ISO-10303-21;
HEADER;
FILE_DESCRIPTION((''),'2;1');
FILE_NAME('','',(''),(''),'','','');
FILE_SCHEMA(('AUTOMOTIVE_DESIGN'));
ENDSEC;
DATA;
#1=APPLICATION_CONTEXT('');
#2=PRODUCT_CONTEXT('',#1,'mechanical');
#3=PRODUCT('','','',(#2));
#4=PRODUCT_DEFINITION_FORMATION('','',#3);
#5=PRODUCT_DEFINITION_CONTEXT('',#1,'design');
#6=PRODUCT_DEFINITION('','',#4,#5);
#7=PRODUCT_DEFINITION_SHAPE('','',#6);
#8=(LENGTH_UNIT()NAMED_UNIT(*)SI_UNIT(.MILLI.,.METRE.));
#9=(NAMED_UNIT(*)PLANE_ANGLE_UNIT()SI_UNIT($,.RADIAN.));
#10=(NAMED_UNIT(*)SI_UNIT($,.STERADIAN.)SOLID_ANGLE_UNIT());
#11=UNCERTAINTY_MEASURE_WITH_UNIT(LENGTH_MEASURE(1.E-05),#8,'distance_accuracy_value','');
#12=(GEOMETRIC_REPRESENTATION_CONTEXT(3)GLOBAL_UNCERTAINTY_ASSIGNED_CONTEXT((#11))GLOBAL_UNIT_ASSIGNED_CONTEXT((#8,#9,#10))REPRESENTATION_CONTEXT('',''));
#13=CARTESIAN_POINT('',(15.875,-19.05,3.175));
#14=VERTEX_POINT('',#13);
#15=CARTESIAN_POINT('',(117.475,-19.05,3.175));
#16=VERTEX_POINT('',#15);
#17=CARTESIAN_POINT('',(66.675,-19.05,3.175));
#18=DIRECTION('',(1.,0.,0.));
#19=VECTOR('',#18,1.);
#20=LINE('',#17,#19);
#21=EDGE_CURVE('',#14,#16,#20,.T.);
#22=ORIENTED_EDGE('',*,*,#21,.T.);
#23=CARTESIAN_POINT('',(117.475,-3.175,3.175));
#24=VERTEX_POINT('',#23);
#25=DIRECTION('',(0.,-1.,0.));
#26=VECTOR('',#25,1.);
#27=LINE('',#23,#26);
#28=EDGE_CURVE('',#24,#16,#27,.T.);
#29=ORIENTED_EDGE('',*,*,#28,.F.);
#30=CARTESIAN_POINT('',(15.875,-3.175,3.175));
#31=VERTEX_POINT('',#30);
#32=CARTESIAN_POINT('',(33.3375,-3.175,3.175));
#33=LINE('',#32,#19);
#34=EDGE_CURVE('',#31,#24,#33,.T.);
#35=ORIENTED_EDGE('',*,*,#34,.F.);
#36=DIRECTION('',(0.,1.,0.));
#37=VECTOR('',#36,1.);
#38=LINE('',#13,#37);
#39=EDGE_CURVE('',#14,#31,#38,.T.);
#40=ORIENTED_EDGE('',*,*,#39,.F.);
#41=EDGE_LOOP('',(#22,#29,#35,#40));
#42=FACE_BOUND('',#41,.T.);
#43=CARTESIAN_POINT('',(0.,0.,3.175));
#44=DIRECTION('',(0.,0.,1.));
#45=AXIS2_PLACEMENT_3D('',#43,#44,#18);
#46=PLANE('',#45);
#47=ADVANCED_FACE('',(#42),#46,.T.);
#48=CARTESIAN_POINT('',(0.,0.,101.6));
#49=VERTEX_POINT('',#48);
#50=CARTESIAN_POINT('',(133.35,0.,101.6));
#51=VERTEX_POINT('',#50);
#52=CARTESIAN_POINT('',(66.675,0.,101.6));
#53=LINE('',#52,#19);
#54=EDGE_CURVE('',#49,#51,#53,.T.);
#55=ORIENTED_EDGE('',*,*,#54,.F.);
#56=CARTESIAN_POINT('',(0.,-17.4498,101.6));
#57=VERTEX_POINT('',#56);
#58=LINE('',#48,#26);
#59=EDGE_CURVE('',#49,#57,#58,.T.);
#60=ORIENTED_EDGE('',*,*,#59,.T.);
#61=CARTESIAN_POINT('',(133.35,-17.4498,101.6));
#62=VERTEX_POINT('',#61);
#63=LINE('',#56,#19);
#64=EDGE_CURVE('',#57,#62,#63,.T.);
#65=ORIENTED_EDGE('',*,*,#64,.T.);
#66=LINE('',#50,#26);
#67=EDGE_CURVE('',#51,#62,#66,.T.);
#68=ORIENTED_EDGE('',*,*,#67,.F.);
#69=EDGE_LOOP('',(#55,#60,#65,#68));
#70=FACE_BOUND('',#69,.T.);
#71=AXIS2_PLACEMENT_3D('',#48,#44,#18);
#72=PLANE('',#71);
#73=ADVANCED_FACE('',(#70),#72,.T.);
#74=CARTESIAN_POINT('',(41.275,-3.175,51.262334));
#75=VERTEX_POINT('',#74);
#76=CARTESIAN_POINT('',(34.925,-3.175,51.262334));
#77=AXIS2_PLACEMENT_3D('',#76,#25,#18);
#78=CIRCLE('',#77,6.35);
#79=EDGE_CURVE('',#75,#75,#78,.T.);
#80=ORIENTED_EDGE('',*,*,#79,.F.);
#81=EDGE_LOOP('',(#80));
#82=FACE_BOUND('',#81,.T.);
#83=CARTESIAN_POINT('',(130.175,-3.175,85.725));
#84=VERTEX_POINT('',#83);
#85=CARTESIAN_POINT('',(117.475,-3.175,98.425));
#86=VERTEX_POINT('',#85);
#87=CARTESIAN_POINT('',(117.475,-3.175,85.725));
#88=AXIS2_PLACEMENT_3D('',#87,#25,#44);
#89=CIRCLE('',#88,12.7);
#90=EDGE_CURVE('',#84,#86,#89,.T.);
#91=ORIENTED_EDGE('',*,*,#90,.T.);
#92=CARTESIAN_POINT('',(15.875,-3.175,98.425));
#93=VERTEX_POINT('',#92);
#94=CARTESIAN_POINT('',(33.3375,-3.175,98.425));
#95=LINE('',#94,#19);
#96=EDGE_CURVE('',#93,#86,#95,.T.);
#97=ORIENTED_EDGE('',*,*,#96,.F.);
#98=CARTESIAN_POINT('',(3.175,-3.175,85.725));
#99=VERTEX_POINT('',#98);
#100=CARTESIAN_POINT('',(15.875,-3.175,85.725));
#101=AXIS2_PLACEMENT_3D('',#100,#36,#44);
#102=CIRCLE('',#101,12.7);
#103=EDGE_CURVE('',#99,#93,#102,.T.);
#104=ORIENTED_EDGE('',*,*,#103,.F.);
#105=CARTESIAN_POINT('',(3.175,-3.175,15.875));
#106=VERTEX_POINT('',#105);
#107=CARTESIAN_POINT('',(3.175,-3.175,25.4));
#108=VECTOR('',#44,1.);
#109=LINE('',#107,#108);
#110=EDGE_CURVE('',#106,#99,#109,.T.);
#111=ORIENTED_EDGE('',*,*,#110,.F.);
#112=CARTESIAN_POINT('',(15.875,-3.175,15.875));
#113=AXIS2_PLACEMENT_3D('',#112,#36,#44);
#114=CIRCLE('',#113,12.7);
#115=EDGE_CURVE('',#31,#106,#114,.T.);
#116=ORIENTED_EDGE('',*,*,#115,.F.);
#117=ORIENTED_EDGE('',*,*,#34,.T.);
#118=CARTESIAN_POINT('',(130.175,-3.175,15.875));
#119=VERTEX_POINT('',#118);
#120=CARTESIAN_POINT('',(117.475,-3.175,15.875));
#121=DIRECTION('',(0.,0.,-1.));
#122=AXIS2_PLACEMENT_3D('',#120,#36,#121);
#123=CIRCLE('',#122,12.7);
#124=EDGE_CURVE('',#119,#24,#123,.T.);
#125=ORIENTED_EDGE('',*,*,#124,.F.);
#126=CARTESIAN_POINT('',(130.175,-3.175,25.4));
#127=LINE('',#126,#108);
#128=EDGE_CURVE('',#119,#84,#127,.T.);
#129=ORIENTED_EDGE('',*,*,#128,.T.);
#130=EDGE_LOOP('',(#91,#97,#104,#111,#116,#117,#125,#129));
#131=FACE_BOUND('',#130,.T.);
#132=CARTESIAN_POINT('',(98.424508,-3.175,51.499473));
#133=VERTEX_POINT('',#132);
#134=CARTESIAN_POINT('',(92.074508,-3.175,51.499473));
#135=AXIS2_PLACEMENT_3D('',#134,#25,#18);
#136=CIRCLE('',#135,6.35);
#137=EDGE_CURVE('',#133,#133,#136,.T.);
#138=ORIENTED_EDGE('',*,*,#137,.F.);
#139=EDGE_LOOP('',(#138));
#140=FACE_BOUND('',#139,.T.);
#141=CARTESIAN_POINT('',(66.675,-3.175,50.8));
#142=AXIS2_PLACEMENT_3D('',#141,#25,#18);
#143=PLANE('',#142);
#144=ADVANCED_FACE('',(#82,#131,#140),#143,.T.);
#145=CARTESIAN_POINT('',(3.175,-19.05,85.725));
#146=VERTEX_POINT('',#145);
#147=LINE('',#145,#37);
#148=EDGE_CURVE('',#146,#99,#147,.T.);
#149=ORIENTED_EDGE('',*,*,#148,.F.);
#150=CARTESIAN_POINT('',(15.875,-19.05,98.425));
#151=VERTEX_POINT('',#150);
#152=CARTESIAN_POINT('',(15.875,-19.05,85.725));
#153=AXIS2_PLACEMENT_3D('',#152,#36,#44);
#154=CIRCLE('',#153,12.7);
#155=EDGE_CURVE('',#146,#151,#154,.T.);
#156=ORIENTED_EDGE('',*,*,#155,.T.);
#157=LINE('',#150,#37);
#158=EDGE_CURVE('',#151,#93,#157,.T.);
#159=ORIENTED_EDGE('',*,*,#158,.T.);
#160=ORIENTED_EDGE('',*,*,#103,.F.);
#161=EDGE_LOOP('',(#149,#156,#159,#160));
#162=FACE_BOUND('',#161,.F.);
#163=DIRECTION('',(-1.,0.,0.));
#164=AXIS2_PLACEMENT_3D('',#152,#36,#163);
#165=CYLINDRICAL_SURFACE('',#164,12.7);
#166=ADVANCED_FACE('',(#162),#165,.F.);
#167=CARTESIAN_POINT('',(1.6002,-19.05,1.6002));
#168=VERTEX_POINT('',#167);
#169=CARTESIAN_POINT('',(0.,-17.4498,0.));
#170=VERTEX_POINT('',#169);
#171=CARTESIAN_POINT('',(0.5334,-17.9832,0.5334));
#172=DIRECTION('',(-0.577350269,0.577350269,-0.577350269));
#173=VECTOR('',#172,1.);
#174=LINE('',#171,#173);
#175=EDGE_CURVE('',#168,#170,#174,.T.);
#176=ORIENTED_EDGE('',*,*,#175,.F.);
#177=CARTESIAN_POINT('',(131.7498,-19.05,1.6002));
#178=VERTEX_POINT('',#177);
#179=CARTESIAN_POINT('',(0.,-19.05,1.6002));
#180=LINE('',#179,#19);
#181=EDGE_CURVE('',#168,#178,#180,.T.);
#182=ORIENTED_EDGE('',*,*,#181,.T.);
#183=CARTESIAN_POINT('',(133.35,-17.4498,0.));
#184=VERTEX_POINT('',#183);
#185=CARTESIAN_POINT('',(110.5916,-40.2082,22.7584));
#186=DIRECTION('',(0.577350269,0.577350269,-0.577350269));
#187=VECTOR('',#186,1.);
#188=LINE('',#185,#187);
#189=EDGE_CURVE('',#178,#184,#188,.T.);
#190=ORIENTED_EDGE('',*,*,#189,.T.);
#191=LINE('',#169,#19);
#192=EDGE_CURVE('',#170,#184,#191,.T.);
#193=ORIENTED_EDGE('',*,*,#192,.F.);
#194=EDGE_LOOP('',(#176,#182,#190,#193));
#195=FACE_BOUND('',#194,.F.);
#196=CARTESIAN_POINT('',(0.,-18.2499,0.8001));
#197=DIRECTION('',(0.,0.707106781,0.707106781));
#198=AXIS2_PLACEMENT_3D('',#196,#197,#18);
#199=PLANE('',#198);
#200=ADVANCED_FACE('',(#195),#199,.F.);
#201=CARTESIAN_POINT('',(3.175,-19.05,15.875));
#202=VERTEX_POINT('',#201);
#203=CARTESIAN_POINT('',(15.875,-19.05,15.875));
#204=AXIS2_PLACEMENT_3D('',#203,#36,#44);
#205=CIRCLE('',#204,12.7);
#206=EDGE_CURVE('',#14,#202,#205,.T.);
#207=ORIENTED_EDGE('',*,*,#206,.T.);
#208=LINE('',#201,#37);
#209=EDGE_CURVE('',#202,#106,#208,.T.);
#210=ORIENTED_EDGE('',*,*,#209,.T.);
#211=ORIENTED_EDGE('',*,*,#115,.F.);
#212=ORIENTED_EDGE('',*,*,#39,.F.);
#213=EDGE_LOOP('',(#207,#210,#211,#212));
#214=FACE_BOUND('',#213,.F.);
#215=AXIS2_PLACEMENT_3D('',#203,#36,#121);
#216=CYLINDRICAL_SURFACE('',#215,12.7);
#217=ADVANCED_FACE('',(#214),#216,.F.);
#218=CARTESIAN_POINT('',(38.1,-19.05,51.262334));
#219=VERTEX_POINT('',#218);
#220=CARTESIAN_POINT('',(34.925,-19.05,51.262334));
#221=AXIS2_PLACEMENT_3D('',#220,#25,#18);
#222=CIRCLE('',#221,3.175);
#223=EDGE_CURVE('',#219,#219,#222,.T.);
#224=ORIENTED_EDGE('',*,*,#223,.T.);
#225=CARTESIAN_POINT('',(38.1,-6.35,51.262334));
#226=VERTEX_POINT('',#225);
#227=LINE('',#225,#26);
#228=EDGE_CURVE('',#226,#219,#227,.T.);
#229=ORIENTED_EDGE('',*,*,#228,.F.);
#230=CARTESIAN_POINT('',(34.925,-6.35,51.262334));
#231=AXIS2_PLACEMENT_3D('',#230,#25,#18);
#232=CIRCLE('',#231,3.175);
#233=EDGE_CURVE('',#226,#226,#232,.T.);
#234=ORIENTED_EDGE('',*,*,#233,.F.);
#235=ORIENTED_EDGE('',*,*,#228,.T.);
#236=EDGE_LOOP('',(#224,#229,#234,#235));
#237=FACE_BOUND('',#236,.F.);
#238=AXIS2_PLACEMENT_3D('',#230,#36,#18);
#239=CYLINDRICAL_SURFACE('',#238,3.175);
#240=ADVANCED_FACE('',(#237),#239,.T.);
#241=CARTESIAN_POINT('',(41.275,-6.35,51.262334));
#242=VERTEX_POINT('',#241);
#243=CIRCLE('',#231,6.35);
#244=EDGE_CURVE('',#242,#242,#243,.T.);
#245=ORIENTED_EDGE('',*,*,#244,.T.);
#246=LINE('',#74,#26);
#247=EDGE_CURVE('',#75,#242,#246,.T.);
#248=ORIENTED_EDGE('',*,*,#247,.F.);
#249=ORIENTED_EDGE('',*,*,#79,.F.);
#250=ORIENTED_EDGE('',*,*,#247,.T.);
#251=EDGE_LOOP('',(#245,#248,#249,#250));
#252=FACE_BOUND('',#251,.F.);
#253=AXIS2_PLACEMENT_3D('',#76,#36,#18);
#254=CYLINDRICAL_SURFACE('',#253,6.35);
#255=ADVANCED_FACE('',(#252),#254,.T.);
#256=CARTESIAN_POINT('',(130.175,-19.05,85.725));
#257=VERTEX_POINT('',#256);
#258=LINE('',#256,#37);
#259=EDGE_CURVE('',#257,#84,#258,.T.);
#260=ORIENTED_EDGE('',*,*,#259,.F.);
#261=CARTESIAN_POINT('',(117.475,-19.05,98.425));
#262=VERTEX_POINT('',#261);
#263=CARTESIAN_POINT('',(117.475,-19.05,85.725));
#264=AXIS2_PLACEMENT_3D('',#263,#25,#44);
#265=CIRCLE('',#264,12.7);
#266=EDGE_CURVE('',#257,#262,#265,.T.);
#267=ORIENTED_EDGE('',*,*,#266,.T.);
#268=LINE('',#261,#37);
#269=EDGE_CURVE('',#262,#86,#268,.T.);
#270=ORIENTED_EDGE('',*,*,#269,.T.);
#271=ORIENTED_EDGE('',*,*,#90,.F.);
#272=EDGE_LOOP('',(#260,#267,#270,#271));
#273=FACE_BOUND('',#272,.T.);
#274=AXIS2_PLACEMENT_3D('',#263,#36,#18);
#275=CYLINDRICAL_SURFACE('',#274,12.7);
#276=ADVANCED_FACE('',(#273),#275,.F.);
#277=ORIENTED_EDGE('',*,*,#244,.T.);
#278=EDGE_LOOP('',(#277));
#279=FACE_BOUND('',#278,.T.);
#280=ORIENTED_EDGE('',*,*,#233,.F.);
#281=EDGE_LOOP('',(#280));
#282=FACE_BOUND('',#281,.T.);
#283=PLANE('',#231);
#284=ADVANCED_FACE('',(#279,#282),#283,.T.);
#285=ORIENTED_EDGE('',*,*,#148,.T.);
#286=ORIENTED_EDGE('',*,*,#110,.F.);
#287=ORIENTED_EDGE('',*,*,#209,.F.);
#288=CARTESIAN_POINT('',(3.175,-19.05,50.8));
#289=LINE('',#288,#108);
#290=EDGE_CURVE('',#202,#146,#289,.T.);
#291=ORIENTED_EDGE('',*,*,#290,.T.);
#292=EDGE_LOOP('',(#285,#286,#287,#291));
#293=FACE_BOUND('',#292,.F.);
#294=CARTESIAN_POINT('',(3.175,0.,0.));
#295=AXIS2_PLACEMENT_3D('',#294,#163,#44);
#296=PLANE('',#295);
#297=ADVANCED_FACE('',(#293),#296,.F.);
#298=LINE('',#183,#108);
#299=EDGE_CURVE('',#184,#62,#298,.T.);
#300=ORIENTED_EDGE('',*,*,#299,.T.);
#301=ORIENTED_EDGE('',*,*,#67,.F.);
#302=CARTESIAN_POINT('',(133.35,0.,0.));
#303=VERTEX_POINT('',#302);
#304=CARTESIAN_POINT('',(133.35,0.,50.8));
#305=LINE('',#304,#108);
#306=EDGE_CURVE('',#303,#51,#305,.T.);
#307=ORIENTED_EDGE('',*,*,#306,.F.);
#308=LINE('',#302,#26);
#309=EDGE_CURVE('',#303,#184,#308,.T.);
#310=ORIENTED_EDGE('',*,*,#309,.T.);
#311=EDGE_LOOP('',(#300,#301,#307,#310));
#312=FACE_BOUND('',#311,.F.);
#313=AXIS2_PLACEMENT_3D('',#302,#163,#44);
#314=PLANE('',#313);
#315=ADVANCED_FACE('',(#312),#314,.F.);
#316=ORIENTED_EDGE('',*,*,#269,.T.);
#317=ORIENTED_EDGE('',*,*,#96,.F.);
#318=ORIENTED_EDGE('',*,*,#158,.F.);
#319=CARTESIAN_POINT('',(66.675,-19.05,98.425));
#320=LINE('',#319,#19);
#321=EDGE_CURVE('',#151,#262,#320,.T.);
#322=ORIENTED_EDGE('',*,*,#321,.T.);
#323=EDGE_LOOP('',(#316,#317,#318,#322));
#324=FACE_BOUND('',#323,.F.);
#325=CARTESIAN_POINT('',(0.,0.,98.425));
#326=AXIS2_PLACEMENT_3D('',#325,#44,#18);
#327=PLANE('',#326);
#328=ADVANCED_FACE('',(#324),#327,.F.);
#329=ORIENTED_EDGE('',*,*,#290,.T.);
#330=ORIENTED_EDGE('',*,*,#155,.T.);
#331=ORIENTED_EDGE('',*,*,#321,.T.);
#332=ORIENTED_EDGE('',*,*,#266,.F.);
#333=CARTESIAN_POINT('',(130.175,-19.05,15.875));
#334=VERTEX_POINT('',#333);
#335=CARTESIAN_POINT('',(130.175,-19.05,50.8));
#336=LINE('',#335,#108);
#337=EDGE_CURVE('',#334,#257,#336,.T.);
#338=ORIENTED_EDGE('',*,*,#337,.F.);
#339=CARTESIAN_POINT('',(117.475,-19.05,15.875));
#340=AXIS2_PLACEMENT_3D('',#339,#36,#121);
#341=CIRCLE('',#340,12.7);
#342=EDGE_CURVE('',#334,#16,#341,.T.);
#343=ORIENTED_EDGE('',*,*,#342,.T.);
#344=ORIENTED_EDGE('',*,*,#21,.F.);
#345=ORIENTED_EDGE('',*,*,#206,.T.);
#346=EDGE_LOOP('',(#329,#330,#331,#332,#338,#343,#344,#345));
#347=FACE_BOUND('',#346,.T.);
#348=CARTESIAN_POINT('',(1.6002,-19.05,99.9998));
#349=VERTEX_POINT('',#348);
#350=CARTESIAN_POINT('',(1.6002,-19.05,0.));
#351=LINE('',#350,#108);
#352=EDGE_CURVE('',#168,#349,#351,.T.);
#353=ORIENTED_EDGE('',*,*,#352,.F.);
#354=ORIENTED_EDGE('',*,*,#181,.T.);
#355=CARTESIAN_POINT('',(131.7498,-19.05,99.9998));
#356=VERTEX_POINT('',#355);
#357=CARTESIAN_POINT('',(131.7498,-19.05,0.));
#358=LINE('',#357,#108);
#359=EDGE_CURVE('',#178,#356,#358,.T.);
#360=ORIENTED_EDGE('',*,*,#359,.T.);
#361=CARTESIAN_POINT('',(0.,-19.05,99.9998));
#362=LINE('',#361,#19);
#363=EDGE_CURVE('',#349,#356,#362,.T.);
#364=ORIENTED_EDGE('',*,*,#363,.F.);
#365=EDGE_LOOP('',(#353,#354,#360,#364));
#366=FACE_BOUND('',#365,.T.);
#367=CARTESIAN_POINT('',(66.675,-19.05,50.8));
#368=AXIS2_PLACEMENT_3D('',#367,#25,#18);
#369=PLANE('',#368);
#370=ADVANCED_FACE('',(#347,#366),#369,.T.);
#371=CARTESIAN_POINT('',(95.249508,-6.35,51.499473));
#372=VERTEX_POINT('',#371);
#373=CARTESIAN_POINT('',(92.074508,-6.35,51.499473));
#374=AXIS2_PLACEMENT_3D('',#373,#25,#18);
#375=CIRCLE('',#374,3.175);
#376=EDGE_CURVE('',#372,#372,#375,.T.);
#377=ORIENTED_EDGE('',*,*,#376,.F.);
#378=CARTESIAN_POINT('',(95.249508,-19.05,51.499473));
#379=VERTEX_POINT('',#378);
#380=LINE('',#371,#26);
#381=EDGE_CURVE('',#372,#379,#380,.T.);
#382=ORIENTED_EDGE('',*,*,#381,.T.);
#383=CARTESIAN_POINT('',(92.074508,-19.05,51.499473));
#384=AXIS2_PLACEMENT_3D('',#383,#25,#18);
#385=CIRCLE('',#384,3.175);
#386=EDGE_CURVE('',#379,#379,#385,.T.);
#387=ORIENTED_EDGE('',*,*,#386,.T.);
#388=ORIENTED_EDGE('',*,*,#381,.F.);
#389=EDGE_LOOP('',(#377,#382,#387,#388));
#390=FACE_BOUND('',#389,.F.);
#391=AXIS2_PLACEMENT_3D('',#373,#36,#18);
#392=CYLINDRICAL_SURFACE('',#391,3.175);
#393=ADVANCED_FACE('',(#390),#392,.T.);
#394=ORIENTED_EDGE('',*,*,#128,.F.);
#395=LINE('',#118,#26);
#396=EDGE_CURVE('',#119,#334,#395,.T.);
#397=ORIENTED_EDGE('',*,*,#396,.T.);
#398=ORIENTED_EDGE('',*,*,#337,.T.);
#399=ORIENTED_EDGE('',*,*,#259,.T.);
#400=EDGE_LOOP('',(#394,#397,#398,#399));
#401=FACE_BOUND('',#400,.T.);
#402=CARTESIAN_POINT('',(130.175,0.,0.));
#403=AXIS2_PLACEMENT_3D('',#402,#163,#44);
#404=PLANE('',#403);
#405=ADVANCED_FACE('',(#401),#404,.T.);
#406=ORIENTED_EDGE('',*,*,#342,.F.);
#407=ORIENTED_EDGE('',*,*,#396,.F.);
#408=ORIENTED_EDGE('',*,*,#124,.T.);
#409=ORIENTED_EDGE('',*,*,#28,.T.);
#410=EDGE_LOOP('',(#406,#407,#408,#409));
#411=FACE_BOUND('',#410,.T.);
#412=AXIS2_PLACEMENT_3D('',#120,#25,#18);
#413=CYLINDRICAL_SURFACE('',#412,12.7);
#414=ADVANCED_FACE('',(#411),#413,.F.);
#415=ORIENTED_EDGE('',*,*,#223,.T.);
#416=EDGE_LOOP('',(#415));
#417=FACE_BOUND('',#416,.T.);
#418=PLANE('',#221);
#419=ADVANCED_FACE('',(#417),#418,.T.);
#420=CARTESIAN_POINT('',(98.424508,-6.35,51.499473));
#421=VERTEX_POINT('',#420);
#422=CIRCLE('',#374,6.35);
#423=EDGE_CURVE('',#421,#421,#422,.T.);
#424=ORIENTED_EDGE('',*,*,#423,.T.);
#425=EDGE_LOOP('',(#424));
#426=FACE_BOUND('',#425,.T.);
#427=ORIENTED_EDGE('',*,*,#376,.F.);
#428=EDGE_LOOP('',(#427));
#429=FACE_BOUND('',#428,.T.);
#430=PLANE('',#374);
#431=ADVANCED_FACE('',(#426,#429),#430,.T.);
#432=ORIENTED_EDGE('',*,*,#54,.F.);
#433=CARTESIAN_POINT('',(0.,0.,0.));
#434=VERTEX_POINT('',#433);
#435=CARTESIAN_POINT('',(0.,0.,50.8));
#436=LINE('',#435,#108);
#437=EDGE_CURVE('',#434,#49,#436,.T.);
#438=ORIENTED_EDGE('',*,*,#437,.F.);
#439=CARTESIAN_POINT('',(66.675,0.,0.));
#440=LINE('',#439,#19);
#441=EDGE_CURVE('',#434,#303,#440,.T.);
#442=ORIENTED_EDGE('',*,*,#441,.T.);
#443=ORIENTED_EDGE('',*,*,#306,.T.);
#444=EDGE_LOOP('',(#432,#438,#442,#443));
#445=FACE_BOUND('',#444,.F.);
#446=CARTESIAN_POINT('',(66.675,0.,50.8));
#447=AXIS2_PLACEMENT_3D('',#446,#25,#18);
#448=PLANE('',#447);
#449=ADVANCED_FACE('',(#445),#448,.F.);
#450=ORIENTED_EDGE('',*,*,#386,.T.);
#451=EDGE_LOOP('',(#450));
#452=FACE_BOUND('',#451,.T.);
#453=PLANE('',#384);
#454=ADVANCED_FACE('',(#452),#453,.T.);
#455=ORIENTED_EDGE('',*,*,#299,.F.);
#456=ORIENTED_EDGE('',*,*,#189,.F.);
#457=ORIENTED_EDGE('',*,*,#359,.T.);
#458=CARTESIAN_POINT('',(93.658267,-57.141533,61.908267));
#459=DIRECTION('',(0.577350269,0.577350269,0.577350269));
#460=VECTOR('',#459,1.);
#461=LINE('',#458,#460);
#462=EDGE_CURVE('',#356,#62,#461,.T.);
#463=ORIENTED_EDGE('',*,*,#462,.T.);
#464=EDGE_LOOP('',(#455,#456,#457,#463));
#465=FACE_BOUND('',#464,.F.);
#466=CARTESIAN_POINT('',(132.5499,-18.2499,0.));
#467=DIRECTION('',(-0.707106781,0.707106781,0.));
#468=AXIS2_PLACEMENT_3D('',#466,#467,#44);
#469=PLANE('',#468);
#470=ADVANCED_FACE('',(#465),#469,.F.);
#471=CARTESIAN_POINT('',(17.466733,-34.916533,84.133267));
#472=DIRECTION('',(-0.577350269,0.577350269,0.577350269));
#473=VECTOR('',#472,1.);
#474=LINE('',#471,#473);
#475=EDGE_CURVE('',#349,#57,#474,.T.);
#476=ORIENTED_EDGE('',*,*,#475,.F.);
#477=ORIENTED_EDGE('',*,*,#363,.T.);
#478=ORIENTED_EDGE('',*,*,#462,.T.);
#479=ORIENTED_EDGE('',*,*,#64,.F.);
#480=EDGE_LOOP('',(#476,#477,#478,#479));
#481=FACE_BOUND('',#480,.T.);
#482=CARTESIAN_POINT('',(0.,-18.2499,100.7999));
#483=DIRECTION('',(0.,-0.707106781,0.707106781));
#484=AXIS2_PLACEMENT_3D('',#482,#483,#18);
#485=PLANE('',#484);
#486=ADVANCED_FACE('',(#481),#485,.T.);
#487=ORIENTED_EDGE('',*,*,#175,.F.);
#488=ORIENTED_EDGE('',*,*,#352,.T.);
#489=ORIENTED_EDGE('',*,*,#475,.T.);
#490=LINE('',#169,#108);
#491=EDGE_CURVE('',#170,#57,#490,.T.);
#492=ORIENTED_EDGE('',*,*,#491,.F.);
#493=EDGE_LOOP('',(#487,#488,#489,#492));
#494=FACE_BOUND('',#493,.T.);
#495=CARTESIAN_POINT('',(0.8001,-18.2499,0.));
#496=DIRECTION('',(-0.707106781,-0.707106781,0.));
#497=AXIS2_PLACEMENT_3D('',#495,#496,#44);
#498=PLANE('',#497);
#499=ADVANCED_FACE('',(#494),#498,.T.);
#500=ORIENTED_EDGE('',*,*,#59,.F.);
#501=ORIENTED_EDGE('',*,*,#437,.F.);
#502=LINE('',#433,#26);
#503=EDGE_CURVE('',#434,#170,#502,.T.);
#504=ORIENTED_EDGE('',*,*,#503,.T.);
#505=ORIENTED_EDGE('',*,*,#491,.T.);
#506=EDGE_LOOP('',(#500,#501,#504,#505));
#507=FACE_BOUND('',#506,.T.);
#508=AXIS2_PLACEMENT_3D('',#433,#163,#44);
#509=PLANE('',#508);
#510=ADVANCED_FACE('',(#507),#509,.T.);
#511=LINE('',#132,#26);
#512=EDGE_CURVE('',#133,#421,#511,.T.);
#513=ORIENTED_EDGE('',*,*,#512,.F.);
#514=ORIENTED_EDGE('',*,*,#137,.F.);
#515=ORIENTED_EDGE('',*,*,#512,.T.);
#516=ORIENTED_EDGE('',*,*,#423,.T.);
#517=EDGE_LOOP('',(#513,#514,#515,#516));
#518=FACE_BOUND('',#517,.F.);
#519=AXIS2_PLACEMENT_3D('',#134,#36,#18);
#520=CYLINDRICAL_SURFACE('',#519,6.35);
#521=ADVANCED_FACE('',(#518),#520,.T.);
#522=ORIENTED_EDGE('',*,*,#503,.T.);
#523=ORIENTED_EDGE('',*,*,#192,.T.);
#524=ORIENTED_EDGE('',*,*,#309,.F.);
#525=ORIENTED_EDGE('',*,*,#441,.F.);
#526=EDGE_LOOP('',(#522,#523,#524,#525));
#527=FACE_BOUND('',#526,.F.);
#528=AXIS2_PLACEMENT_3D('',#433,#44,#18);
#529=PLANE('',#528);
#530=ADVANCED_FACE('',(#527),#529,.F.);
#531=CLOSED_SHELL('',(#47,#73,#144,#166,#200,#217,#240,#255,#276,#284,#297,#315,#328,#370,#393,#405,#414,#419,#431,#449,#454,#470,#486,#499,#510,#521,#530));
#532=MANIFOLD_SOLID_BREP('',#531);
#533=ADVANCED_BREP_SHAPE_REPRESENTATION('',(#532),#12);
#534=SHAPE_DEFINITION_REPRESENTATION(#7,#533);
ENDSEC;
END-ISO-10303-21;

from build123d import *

# Parameters (mm, degrees)
F0_W     = 133.35
F0_H     = 101.6
F1_DEPTH = 19.05
F2_T     = -3.175
F3_R     = 6.35
F4_DEPTH = 3.175
F5_R     = 3.175
F6_DEPTH = 12.7
F7_R     = 3.175
F8_DEPTH = 12.7
F9_R     = 12.7
F10_SIZE = 1.6002


with BuildPart() as f1:
    # F0 (on Front) → F1 (new body)
    with BuildSketch(Plane.XZ):
        with Locations((66.675, 50.8)):
            Rectangle(F0_W, F0_H)
    extrude(amount=F1_DEPTH)

    # F2
    f2_openings = [f1.faces().sort_by_distance(p)[0] for p in [
        (66.675, -19.05, 50.8),
    ]]
    offset(amount=F2_T, openings=f2_openings)

    # F3 (on face) → F4 (join)
    with BuildSketch(Plane.XZ.offset(3.175)):
        with Locations((34.925, 51.2623339891)):
            Circle(F3_R)
        with Locations((92.0745080058, 51.4994725509)):
            Circle(F3_R)
    extrude(amount=F4_DEPTH)

    # F5 (on face) → F6 (join)
    with BuildSketch(Plane.XZ.offset(6.35)):
        with Locations((34.925, 51.2623339891)):
            Circle(F5_R)
    extrude(amount=F6_DEPTH)

    # F7 (on face) → F8 (join)
    with BuildSketch(Plane.XZ.offset(6.35)):
        with Locations((92.0745080058, 51.4994725509)):
            Circle(F7_R)
    extrude(amount=F8_DEPTH)

    # F9
    f9_edges = [f1.edges().sort_by_distance(p)[0] for p in [
        (3.175, -11.1125, 3.175),
        (3.175, -11.1125, 98.425),
        (130.175, -11.1125, 3.175),
        (130.175, -11.1125, 98.425),
    ]]
    fillet(f9_edges, radius=F9_R)

    # F10
    f10_edges = [f1.edges().sort_by_distance(p)[0] for p in [
        (133.35, -19.05, 50.8),
        (66.675, -19.05, 0),
        (0, -19.05, 50.8),
        (66.675, -19.05, 101.6),
    ]]
    chamfer(f10_edges, length=F10_SIZE)


solid = f1.part
